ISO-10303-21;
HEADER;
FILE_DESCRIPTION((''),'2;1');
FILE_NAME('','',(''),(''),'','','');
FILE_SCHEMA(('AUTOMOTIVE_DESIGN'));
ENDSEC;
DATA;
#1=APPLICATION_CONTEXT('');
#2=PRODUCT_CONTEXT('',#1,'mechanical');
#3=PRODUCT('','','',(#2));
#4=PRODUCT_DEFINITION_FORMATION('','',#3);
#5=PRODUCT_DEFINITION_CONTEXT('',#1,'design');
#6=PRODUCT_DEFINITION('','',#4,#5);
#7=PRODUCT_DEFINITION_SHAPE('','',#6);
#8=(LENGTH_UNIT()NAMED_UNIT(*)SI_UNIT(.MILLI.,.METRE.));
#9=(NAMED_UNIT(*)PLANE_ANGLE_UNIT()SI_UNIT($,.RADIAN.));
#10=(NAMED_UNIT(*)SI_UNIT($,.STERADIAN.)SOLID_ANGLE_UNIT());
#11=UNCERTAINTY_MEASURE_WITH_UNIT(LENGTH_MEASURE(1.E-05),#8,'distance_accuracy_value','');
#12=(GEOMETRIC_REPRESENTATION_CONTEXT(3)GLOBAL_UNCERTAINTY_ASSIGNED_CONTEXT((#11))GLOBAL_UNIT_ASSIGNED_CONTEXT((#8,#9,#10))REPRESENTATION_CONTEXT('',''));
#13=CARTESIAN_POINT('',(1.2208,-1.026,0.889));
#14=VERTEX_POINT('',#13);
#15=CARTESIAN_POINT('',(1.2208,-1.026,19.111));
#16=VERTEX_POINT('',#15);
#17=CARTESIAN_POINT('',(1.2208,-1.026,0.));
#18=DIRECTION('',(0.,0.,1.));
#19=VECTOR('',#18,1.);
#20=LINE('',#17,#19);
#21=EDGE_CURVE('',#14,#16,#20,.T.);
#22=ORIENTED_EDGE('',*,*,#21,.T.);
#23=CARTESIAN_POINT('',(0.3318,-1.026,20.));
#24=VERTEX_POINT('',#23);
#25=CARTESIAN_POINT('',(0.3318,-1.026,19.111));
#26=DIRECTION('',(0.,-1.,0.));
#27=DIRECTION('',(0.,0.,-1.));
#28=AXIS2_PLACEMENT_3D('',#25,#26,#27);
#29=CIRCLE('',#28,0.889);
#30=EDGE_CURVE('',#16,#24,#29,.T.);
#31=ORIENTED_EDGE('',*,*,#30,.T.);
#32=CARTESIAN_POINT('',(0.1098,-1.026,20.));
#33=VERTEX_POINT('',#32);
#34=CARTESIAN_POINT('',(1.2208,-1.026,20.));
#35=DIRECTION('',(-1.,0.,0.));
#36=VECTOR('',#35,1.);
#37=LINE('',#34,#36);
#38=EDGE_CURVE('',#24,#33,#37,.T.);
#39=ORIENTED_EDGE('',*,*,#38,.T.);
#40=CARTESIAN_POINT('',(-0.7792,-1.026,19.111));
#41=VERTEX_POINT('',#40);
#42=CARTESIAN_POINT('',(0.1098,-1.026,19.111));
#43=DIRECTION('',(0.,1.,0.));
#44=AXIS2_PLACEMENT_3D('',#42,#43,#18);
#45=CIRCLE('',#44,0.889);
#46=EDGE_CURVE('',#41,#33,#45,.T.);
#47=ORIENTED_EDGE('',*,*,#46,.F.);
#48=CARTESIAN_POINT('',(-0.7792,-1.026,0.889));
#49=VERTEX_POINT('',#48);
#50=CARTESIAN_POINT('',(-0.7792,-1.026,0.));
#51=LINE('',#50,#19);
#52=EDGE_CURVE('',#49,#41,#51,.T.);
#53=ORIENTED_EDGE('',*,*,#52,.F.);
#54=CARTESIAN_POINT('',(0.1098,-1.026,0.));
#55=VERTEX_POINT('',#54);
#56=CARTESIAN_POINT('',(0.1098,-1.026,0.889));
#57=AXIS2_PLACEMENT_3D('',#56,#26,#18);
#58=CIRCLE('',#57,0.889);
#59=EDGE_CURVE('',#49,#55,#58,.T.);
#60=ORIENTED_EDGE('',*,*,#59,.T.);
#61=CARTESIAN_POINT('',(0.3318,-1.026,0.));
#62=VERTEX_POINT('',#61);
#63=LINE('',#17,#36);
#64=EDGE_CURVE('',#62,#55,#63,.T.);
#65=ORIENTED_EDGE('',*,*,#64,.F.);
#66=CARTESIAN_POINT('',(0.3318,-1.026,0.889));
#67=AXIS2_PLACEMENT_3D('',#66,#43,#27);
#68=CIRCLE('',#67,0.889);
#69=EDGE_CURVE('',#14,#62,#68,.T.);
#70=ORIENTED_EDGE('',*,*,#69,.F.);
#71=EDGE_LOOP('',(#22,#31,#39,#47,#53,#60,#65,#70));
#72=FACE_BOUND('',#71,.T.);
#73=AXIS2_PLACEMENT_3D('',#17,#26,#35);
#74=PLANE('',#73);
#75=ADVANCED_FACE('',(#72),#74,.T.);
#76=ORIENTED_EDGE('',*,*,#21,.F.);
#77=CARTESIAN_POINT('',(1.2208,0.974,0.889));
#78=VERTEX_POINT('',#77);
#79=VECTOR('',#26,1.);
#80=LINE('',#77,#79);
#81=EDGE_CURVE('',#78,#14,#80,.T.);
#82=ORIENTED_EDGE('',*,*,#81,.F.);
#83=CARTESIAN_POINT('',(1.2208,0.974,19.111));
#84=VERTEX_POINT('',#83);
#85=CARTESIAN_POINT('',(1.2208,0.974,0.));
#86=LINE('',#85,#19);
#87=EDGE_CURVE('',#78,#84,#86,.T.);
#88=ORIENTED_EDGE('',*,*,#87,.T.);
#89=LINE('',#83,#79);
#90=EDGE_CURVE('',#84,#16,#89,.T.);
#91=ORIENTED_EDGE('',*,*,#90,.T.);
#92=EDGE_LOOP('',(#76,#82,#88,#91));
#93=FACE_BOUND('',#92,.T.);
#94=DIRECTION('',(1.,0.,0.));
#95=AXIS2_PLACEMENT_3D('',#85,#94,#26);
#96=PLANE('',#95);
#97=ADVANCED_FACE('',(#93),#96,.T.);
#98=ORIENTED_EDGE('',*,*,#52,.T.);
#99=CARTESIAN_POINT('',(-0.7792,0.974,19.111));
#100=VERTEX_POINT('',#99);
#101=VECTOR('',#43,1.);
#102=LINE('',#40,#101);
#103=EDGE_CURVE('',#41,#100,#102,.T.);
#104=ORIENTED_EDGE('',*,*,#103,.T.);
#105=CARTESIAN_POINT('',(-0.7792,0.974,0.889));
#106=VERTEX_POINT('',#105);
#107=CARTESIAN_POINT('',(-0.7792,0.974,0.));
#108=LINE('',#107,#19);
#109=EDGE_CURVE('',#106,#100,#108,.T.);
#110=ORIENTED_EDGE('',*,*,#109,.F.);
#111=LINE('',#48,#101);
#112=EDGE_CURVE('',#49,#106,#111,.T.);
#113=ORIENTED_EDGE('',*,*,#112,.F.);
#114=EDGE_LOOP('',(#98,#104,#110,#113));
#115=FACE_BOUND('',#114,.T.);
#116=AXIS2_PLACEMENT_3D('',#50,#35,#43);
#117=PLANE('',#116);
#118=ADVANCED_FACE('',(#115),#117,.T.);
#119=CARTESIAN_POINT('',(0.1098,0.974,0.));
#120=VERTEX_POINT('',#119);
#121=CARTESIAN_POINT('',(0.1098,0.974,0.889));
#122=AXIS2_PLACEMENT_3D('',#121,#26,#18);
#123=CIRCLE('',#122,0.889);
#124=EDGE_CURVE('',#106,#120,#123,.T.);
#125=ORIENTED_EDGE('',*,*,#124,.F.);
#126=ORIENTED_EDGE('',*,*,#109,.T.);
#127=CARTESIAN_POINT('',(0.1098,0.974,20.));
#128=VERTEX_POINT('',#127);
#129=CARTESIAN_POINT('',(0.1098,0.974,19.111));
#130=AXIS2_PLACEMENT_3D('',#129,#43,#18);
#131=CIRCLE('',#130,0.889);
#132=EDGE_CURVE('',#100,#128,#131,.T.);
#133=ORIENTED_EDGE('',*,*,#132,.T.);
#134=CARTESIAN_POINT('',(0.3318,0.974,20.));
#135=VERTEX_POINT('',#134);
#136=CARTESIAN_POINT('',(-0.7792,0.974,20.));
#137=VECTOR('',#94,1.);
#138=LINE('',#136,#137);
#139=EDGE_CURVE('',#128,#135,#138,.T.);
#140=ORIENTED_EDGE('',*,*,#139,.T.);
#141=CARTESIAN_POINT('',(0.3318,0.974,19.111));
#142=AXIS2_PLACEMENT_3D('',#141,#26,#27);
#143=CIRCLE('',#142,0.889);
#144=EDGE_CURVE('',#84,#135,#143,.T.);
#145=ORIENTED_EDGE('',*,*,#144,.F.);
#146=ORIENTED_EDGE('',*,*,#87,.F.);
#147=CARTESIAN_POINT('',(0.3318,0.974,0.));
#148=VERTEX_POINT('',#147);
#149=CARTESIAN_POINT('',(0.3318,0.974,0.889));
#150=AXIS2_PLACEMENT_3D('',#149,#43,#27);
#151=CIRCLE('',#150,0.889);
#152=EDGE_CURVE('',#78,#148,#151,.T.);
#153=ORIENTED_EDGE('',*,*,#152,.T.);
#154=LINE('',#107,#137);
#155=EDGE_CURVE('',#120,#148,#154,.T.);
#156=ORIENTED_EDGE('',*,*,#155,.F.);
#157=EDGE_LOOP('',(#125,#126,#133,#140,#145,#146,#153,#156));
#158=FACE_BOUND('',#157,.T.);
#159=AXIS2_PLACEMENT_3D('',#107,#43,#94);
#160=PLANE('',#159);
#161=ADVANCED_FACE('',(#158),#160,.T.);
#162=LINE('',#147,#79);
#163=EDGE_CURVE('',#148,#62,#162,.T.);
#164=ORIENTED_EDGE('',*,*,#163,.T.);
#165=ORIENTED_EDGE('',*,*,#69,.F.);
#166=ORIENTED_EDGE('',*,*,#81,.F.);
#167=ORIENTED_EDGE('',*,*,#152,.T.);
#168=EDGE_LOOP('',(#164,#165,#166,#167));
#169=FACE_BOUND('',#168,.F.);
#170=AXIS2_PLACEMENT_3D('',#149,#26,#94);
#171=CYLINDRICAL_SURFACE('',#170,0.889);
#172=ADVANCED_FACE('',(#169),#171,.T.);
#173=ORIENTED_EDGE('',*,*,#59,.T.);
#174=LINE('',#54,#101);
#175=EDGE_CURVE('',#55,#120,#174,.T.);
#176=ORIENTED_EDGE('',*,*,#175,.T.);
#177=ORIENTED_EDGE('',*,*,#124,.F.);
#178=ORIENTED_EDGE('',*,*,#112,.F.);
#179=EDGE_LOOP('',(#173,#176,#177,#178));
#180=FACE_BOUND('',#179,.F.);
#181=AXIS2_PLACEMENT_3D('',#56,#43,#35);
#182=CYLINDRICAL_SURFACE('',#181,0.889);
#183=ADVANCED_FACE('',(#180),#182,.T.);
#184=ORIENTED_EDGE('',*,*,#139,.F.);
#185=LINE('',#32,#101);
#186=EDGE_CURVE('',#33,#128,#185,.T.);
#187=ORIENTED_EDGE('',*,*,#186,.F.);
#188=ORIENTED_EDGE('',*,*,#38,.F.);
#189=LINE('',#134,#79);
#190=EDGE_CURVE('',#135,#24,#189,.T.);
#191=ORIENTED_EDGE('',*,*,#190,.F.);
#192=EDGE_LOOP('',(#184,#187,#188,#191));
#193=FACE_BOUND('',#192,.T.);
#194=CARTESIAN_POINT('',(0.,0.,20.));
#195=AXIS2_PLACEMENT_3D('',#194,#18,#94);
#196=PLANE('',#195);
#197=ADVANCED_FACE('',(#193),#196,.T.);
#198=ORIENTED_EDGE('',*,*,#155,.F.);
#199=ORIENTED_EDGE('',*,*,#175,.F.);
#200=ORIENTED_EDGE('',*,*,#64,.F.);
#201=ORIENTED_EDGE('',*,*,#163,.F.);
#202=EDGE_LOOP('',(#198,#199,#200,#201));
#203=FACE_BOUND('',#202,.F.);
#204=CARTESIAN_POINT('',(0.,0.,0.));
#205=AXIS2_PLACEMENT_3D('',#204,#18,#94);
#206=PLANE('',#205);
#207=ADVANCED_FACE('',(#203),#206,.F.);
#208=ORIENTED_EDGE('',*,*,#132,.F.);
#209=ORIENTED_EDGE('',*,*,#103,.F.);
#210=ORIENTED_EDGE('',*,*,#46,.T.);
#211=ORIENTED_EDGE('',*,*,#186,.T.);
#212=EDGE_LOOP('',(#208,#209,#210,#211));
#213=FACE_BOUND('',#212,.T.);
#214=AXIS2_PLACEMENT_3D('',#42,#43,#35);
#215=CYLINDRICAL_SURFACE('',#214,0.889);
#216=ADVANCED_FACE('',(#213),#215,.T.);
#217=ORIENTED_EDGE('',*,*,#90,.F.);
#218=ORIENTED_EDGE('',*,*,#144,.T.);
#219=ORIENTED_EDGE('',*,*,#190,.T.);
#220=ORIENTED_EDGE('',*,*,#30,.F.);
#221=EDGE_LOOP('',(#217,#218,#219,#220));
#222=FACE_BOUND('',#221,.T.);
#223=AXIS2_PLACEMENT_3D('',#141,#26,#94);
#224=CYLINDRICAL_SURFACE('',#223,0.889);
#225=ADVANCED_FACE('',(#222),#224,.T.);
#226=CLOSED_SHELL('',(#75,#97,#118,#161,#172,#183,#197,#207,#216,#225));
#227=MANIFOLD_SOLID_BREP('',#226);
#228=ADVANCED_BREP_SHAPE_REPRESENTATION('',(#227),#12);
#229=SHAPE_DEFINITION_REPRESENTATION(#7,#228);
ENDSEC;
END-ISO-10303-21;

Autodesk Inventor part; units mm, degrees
ref_plane "YZ Plane" through (0, 0, 0) normal (1, 0, 0) x (0, 1, 0)
ref_plane "XZ Plane" through (0, 0, 0) normal (0, 1, 0) x (-1, 0, 0)
ref_plane "XY Plane" through (0, 0, 0) normal (0, 0, 1) x (1, 0, 0)
sketch "Sketch1" plane through (0, 0, 0) normal (0, 0, 1) x (1, 0, 0)
  line L0 (-0.7792, 0.974) -> (1.2208, 0.974)
  line L1 (1.2208, 0.974) -> (1.2208, -1.026)
  line L2 (1.2208, -1.026) -> (-0.7792, -1.026)
  line L3 (-0.7792, -1.026) -> (-0.7792, 0.974)
  point P0 (0, 0)
  dimension "d0" = 2
extrude "Extrusion1" add sketch "Sketch1" along normal blind 20
fillet "Fillet1" radius 0.889 4 edges at (-0.7792, -0.026, 20) (1.2208, -0.026, 20) (1.2208, -0.026, 0) (-0.7792, -0.026, 0)
properties part number "Maybe CIM Key"
